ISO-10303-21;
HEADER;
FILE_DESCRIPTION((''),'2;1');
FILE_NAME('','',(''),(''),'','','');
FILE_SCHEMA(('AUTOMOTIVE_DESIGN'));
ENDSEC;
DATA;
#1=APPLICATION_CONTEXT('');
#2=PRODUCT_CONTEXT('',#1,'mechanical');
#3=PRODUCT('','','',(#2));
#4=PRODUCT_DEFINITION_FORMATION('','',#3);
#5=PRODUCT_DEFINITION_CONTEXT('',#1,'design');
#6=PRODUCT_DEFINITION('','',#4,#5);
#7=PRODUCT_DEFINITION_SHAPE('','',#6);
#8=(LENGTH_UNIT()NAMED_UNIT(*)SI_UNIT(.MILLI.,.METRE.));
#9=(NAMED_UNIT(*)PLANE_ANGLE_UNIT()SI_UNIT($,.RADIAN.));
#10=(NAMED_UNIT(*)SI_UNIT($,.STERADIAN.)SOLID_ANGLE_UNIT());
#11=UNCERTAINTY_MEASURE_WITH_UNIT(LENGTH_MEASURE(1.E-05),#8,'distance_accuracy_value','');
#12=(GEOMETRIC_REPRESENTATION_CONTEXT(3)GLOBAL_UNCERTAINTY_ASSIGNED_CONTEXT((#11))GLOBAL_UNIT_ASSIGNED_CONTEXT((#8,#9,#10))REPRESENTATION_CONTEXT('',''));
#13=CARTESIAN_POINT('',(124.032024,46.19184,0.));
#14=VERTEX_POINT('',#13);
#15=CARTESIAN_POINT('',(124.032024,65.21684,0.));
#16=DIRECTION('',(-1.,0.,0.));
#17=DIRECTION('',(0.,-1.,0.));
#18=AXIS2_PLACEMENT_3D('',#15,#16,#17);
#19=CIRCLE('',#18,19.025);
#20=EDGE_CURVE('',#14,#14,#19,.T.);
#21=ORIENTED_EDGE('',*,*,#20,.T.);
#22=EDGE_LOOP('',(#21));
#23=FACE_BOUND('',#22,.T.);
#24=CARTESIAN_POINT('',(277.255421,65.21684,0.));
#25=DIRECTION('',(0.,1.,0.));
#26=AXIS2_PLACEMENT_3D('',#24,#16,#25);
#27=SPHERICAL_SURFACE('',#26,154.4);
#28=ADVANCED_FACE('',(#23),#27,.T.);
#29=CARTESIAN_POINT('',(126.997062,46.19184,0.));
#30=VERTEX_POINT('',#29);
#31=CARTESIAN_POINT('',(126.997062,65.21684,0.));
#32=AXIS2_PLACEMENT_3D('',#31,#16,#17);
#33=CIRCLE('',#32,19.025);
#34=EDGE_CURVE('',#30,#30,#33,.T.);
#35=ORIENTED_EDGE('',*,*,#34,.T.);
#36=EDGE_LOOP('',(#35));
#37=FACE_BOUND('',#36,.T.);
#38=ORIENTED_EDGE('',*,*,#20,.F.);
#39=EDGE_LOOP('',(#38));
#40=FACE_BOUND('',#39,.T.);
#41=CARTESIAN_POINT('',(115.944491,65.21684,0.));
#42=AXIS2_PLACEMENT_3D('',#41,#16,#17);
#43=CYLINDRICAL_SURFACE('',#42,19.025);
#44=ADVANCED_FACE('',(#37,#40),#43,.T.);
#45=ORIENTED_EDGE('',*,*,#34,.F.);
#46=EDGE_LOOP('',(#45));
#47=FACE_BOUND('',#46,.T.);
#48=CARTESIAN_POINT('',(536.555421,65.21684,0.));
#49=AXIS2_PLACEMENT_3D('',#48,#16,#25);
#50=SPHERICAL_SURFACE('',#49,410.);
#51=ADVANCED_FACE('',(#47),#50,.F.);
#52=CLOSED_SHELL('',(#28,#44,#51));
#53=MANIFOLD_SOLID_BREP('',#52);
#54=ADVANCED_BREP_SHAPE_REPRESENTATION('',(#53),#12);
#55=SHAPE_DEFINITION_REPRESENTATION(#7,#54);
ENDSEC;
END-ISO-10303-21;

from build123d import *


with BuildPart() as part:
    # 草图1 → 旋转1 (revolve)
    with BuildSketch(Plane.XY):
        with BuildLine():
            Line((124.032024359, 84.241840471), (126.997062379, 84.241840471))
            ThreePointArc((126.997062379, 84.241840471), (126.665846452, 74.731903159), (126.555421316, 65.216840471))
            Line((126.555421316, 65.216840471), (122.855421316, 65.216840471))
            ThreePointArc((122.855421316, 65.216840471), (123.149852808, 74.747514893), (124.032024359, 84.241840471))
        make_face()
    revolve(axis=Axis((115.944491298, 65.216840471, 0), (1, 0, 0)))


solid = part.part
